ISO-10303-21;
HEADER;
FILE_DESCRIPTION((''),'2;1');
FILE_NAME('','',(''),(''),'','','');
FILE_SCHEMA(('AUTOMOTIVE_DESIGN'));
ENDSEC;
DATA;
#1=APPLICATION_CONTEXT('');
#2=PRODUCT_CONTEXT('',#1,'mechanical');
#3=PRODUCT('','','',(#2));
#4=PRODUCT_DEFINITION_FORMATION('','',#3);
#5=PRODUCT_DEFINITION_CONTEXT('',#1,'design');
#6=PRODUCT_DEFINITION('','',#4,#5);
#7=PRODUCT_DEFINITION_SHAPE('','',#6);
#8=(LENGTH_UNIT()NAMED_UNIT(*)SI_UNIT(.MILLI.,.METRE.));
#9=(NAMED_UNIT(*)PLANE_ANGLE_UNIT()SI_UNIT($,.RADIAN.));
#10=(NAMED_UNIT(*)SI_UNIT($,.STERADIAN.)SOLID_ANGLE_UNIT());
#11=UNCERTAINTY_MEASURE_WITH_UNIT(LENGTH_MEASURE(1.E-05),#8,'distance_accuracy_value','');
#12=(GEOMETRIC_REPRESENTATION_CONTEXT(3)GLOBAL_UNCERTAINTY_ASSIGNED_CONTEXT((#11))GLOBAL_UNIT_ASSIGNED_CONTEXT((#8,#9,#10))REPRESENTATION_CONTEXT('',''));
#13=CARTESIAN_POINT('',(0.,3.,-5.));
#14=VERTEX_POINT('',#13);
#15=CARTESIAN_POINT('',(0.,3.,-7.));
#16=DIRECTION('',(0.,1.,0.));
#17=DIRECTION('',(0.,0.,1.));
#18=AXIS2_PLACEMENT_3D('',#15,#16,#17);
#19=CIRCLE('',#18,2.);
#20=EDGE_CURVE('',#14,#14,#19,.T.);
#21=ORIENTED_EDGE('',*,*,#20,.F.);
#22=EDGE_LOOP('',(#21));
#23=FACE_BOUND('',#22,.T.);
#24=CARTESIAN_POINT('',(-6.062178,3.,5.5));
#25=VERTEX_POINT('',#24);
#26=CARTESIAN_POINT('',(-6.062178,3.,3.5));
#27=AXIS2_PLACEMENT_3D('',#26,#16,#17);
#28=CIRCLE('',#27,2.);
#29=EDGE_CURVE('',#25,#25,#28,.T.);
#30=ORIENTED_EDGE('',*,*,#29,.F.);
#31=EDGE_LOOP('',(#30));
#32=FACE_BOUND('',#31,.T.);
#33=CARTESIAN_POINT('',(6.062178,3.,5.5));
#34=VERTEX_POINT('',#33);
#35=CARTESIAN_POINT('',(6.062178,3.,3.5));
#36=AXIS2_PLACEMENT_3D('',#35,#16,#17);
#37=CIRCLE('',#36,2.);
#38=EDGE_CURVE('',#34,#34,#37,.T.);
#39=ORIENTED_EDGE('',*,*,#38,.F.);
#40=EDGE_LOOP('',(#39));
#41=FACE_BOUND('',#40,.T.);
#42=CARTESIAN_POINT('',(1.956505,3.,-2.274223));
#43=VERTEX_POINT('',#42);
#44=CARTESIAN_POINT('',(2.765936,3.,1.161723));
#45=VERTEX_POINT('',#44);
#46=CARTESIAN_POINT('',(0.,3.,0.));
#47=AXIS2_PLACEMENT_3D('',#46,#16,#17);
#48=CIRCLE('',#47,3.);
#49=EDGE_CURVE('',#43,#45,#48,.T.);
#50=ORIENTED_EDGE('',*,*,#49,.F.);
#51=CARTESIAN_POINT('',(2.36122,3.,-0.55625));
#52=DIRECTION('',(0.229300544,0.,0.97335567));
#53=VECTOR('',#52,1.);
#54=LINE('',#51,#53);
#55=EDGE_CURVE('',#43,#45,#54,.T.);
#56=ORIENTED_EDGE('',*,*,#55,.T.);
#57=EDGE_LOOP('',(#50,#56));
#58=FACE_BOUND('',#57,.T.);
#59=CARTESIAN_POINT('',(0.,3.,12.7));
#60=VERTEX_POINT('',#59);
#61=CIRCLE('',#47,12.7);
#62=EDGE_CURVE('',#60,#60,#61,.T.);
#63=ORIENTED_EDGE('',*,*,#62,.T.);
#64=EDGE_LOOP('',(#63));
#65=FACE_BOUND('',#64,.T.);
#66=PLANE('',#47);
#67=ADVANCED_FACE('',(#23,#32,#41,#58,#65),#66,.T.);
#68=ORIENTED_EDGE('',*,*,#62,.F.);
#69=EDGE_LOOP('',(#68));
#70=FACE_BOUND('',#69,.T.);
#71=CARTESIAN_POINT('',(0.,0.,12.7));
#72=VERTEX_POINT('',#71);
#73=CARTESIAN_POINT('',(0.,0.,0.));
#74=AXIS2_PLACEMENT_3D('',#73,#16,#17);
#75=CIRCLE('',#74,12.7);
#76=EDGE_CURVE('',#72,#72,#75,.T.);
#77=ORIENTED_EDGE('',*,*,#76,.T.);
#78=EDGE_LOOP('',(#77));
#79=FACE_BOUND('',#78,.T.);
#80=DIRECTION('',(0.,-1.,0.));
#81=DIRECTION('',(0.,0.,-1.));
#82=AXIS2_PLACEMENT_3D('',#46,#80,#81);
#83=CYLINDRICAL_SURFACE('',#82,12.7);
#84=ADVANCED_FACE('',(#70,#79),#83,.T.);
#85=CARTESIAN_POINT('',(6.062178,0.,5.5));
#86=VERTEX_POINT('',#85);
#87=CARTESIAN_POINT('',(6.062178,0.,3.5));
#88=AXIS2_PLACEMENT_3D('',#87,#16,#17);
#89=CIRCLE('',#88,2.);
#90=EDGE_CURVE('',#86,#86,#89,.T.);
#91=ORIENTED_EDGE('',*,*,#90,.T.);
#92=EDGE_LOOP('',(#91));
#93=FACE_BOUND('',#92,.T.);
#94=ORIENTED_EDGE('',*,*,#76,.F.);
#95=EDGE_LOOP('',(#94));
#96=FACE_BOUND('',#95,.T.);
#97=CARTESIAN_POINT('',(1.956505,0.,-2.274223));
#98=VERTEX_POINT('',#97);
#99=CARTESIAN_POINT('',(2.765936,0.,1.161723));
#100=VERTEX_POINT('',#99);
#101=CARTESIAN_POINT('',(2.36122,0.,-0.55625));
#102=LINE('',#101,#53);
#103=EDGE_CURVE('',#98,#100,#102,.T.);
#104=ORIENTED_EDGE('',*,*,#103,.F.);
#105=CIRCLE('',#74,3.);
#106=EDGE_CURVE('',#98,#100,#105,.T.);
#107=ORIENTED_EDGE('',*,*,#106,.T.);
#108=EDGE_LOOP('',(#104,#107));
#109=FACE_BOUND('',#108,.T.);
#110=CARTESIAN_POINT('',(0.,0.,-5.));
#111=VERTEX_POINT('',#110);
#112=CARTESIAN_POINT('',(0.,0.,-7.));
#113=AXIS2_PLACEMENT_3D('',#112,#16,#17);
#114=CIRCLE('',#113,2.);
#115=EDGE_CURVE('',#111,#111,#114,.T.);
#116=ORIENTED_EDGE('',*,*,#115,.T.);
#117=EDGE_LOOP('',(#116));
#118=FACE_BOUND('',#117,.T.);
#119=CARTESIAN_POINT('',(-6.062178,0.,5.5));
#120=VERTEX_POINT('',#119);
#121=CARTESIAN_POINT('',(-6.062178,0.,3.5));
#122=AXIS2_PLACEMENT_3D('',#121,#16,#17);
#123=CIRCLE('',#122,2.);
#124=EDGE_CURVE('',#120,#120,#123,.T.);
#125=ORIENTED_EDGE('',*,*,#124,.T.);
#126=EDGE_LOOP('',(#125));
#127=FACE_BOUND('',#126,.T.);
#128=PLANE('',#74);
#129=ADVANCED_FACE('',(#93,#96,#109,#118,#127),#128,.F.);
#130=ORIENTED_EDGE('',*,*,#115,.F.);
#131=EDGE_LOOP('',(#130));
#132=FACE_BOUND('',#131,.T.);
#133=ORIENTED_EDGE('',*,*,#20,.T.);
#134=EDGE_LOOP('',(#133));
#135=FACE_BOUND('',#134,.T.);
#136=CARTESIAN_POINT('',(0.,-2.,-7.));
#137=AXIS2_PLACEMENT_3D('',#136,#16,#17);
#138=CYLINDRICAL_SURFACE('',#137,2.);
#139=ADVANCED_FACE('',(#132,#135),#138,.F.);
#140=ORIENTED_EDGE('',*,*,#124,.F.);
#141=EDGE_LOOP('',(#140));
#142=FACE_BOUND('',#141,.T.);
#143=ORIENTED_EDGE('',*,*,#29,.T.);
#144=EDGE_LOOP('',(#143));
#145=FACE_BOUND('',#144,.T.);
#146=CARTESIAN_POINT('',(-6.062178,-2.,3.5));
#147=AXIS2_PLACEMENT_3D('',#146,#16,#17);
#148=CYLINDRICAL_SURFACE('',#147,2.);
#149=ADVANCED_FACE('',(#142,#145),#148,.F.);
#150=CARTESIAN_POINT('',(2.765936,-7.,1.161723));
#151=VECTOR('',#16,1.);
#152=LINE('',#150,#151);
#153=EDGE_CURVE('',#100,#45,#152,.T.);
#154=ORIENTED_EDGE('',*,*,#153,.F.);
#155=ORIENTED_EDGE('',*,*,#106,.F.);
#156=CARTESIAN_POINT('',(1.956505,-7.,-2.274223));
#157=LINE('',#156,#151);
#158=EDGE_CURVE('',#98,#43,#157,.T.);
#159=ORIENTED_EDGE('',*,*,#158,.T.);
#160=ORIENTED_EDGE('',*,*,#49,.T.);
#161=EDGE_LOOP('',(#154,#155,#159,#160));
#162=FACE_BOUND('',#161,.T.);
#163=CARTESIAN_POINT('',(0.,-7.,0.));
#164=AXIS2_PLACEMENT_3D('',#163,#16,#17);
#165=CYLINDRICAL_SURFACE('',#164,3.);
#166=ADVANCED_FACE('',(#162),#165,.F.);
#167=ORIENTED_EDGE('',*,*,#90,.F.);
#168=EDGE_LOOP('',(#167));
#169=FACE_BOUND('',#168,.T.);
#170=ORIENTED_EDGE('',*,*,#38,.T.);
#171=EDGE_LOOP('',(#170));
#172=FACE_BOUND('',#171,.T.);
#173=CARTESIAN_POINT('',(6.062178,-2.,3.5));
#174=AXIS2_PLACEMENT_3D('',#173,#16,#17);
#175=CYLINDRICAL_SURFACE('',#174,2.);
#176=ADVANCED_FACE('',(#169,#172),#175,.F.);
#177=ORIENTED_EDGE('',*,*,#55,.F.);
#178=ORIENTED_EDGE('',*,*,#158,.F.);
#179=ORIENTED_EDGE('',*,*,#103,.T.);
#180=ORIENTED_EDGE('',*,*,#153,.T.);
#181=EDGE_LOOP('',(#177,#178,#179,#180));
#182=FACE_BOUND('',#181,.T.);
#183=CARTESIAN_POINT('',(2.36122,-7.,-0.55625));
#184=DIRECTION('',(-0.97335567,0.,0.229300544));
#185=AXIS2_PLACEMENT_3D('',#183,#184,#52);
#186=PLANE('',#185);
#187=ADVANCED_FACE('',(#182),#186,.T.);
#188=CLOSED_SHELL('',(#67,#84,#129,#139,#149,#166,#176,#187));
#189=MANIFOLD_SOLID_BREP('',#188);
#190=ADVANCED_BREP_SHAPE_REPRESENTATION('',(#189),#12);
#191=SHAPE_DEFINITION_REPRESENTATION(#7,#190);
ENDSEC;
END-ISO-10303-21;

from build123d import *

# Parameters (mm, degrees)
SKETCH1_R           = 12.7
BOSS_EXTRUDE1_DEPTH = 3
CUT_EXTRUDE1_DEPTH  = 10
SKETCH3_R           = 2
CUT_EXTRUDE2_DEPTH  = 5


with BuildPart() as part:
    # Sketch1 → Boss-Extrude1 (new body)
    with BuildSketch(Plane(origin=(0, 0, 0), x_dir=(1, 0, 0), z_dir=(0, 1, 0))):
        with Locations(Location((0, 0, 0), (0, 0, 270))):
            Circle(SKETCH1_R)
    extrude(amount=BOSS_EXTRUDE1_DEPTH)

    # Sketch2 → Cut-Extrude1 (cut)
    with BuildSketch(Plane(origin=(0, 3, 0), x_dir=(1, 0, 0), z_dir=(0, 1, 0))):
        with BuildLine():
            Line((2.765935685, -1.161722767), (1.956504764, 2.274222748))
            ThreePointArc((1.956504764, 2.274222748), (-2.92006701, -0.687901633), (2.765935685, -1.161722767))
        make_face()
    extrude(amount=-CUT_EXTRUDE1_DEPTH, mode=Mode.SUBTRACT)

    # Sketch3 → Cut-Extrude2 (cut)
    with BuildSketch(Plane(origin=(0, 3, 0), x_dir=(1, 0, 0), z_dir=(0, 1, 0))):
        with Locations(Location((0, 7, 0), (0, 0, 270))):
            Circle(SKETCH3_R)
        with Locations(Location((6.062177826, -3.5, 0), (0, 0, 270))):
            Circle(SKETCH3_R)
        with Locations(Location((-6.062177826, -3.5, 0), (0, 0, 270))):
            Circle(SKETCH3_R)
    extrude(amount=-CUT_EXTRUDE2_DEPTH, mode=Mode.SUBTRACT)


solid = part.part
